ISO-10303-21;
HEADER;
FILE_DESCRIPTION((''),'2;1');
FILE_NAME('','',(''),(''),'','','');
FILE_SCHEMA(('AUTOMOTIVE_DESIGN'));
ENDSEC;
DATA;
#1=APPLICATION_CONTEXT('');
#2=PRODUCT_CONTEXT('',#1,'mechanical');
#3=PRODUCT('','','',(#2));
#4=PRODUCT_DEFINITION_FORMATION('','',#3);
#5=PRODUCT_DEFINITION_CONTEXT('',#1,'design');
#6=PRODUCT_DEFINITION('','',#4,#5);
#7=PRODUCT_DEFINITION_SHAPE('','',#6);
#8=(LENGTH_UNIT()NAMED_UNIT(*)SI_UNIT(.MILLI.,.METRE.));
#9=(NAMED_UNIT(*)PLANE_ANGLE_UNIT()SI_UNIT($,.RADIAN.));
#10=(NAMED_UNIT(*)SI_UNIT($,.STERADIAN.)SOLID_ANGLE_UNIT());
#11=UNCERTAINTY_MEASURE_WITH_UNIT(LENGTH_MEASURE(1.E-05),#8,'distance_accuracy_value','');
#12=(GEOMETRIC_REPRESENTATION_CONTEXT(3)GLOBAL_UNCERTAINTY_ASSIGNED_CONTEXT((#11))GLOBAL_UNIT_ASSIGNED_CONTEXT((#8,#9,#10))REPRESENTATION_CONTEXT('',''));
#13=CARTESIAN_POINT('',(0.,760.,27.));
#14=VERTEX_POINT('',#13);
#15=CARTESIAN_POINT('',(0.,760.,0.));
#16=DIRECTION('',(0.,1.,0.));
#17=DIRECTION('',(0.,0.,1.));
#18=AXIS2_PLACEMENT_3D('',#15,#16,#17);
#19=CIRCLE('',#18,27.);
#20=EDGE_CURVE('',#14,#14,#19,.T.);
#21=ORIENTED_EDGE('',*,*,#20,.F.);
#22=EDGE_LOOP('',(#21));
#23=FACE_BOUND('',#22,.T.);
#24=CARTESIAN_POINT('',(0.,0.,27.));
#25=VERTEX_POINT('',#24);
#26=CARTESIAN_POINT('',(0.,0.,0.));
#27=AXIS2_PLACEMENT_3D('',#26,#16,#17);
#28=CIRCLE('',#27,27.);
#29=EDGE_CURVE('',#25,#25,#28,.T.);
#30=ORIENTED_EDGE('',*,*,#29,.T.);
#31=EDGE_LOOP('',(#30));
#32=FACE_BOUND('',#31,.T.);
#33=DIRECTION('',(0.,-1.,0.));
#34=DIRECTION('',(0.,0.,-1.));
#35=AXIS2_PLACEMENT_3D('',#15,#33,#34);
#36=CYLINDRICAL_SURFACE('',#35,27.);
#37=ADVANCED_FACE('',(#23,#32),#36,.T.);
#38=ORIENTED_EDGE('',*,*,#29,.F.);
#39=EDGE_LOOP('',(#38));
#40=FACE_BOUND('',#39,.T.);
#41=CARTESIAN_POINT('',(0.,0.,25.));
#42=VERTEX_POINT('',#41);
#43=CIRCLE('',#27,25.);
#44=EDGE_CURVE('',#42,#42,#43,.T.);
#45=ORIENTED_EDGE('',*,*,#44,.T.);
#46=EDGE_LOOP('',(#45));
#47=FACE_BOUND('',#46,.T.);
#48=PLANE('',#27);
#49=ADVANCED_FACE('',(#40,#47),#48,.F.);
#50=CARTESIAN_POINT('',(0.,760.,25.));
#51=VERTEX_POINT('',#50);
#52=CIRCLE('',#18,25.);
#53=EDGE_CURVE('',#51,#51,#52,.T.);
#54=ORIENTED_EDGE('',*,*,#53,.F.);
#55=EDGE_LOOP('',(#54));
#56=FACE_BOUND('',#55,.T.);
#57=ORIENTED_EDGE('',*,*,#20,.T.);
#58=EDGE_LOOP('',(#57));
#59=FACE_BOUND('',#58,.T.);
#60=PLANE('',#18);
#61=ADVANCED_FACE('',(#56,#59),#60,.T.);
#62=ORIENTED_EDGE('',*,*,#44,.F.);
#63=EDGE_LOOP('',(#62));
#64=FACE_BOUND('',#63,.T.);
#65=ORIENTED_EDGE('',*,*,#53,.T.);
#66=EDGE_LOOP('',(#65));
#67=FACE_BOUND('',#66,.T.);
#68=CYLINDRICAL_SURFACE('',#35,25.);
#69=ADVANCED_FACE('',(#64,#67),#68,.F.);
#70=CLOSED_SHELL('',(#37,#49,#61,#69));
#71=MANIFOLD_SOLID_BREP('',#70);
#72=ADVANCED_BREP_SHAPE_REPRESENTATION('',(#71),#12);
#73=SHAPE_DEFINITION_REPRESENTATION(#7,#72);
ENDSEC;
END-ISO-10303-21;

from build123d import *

# Parameters (mm, degrees)
ESBO_O1_R                = 27
ESBO_O1_R_2              = 25
RESSALTO_EXTRUS_O1_DEPTH = 760


with BuildPart() as part:
    # Esboço1 → Ressalto-extrusão1 (new body)
    with BuildSketch(Plane(origin=(0, 0, 0), x_dir=(1, 0, 0), z_dir=(0, 1, 0))):
        with Locations(Location((0, 0, 0), (0, 0, 270))):
            Circle(ESBO_O1_R)
        with Locations(Location((0, 0, 0), (0, 0, 270))):
            Circle(ESBO_O1_R_2, mode=Mode.SUBTRACT)
    extrude(amount=RESSALTO_EXTRUS_O1_DEPTH)


solid = part.part
